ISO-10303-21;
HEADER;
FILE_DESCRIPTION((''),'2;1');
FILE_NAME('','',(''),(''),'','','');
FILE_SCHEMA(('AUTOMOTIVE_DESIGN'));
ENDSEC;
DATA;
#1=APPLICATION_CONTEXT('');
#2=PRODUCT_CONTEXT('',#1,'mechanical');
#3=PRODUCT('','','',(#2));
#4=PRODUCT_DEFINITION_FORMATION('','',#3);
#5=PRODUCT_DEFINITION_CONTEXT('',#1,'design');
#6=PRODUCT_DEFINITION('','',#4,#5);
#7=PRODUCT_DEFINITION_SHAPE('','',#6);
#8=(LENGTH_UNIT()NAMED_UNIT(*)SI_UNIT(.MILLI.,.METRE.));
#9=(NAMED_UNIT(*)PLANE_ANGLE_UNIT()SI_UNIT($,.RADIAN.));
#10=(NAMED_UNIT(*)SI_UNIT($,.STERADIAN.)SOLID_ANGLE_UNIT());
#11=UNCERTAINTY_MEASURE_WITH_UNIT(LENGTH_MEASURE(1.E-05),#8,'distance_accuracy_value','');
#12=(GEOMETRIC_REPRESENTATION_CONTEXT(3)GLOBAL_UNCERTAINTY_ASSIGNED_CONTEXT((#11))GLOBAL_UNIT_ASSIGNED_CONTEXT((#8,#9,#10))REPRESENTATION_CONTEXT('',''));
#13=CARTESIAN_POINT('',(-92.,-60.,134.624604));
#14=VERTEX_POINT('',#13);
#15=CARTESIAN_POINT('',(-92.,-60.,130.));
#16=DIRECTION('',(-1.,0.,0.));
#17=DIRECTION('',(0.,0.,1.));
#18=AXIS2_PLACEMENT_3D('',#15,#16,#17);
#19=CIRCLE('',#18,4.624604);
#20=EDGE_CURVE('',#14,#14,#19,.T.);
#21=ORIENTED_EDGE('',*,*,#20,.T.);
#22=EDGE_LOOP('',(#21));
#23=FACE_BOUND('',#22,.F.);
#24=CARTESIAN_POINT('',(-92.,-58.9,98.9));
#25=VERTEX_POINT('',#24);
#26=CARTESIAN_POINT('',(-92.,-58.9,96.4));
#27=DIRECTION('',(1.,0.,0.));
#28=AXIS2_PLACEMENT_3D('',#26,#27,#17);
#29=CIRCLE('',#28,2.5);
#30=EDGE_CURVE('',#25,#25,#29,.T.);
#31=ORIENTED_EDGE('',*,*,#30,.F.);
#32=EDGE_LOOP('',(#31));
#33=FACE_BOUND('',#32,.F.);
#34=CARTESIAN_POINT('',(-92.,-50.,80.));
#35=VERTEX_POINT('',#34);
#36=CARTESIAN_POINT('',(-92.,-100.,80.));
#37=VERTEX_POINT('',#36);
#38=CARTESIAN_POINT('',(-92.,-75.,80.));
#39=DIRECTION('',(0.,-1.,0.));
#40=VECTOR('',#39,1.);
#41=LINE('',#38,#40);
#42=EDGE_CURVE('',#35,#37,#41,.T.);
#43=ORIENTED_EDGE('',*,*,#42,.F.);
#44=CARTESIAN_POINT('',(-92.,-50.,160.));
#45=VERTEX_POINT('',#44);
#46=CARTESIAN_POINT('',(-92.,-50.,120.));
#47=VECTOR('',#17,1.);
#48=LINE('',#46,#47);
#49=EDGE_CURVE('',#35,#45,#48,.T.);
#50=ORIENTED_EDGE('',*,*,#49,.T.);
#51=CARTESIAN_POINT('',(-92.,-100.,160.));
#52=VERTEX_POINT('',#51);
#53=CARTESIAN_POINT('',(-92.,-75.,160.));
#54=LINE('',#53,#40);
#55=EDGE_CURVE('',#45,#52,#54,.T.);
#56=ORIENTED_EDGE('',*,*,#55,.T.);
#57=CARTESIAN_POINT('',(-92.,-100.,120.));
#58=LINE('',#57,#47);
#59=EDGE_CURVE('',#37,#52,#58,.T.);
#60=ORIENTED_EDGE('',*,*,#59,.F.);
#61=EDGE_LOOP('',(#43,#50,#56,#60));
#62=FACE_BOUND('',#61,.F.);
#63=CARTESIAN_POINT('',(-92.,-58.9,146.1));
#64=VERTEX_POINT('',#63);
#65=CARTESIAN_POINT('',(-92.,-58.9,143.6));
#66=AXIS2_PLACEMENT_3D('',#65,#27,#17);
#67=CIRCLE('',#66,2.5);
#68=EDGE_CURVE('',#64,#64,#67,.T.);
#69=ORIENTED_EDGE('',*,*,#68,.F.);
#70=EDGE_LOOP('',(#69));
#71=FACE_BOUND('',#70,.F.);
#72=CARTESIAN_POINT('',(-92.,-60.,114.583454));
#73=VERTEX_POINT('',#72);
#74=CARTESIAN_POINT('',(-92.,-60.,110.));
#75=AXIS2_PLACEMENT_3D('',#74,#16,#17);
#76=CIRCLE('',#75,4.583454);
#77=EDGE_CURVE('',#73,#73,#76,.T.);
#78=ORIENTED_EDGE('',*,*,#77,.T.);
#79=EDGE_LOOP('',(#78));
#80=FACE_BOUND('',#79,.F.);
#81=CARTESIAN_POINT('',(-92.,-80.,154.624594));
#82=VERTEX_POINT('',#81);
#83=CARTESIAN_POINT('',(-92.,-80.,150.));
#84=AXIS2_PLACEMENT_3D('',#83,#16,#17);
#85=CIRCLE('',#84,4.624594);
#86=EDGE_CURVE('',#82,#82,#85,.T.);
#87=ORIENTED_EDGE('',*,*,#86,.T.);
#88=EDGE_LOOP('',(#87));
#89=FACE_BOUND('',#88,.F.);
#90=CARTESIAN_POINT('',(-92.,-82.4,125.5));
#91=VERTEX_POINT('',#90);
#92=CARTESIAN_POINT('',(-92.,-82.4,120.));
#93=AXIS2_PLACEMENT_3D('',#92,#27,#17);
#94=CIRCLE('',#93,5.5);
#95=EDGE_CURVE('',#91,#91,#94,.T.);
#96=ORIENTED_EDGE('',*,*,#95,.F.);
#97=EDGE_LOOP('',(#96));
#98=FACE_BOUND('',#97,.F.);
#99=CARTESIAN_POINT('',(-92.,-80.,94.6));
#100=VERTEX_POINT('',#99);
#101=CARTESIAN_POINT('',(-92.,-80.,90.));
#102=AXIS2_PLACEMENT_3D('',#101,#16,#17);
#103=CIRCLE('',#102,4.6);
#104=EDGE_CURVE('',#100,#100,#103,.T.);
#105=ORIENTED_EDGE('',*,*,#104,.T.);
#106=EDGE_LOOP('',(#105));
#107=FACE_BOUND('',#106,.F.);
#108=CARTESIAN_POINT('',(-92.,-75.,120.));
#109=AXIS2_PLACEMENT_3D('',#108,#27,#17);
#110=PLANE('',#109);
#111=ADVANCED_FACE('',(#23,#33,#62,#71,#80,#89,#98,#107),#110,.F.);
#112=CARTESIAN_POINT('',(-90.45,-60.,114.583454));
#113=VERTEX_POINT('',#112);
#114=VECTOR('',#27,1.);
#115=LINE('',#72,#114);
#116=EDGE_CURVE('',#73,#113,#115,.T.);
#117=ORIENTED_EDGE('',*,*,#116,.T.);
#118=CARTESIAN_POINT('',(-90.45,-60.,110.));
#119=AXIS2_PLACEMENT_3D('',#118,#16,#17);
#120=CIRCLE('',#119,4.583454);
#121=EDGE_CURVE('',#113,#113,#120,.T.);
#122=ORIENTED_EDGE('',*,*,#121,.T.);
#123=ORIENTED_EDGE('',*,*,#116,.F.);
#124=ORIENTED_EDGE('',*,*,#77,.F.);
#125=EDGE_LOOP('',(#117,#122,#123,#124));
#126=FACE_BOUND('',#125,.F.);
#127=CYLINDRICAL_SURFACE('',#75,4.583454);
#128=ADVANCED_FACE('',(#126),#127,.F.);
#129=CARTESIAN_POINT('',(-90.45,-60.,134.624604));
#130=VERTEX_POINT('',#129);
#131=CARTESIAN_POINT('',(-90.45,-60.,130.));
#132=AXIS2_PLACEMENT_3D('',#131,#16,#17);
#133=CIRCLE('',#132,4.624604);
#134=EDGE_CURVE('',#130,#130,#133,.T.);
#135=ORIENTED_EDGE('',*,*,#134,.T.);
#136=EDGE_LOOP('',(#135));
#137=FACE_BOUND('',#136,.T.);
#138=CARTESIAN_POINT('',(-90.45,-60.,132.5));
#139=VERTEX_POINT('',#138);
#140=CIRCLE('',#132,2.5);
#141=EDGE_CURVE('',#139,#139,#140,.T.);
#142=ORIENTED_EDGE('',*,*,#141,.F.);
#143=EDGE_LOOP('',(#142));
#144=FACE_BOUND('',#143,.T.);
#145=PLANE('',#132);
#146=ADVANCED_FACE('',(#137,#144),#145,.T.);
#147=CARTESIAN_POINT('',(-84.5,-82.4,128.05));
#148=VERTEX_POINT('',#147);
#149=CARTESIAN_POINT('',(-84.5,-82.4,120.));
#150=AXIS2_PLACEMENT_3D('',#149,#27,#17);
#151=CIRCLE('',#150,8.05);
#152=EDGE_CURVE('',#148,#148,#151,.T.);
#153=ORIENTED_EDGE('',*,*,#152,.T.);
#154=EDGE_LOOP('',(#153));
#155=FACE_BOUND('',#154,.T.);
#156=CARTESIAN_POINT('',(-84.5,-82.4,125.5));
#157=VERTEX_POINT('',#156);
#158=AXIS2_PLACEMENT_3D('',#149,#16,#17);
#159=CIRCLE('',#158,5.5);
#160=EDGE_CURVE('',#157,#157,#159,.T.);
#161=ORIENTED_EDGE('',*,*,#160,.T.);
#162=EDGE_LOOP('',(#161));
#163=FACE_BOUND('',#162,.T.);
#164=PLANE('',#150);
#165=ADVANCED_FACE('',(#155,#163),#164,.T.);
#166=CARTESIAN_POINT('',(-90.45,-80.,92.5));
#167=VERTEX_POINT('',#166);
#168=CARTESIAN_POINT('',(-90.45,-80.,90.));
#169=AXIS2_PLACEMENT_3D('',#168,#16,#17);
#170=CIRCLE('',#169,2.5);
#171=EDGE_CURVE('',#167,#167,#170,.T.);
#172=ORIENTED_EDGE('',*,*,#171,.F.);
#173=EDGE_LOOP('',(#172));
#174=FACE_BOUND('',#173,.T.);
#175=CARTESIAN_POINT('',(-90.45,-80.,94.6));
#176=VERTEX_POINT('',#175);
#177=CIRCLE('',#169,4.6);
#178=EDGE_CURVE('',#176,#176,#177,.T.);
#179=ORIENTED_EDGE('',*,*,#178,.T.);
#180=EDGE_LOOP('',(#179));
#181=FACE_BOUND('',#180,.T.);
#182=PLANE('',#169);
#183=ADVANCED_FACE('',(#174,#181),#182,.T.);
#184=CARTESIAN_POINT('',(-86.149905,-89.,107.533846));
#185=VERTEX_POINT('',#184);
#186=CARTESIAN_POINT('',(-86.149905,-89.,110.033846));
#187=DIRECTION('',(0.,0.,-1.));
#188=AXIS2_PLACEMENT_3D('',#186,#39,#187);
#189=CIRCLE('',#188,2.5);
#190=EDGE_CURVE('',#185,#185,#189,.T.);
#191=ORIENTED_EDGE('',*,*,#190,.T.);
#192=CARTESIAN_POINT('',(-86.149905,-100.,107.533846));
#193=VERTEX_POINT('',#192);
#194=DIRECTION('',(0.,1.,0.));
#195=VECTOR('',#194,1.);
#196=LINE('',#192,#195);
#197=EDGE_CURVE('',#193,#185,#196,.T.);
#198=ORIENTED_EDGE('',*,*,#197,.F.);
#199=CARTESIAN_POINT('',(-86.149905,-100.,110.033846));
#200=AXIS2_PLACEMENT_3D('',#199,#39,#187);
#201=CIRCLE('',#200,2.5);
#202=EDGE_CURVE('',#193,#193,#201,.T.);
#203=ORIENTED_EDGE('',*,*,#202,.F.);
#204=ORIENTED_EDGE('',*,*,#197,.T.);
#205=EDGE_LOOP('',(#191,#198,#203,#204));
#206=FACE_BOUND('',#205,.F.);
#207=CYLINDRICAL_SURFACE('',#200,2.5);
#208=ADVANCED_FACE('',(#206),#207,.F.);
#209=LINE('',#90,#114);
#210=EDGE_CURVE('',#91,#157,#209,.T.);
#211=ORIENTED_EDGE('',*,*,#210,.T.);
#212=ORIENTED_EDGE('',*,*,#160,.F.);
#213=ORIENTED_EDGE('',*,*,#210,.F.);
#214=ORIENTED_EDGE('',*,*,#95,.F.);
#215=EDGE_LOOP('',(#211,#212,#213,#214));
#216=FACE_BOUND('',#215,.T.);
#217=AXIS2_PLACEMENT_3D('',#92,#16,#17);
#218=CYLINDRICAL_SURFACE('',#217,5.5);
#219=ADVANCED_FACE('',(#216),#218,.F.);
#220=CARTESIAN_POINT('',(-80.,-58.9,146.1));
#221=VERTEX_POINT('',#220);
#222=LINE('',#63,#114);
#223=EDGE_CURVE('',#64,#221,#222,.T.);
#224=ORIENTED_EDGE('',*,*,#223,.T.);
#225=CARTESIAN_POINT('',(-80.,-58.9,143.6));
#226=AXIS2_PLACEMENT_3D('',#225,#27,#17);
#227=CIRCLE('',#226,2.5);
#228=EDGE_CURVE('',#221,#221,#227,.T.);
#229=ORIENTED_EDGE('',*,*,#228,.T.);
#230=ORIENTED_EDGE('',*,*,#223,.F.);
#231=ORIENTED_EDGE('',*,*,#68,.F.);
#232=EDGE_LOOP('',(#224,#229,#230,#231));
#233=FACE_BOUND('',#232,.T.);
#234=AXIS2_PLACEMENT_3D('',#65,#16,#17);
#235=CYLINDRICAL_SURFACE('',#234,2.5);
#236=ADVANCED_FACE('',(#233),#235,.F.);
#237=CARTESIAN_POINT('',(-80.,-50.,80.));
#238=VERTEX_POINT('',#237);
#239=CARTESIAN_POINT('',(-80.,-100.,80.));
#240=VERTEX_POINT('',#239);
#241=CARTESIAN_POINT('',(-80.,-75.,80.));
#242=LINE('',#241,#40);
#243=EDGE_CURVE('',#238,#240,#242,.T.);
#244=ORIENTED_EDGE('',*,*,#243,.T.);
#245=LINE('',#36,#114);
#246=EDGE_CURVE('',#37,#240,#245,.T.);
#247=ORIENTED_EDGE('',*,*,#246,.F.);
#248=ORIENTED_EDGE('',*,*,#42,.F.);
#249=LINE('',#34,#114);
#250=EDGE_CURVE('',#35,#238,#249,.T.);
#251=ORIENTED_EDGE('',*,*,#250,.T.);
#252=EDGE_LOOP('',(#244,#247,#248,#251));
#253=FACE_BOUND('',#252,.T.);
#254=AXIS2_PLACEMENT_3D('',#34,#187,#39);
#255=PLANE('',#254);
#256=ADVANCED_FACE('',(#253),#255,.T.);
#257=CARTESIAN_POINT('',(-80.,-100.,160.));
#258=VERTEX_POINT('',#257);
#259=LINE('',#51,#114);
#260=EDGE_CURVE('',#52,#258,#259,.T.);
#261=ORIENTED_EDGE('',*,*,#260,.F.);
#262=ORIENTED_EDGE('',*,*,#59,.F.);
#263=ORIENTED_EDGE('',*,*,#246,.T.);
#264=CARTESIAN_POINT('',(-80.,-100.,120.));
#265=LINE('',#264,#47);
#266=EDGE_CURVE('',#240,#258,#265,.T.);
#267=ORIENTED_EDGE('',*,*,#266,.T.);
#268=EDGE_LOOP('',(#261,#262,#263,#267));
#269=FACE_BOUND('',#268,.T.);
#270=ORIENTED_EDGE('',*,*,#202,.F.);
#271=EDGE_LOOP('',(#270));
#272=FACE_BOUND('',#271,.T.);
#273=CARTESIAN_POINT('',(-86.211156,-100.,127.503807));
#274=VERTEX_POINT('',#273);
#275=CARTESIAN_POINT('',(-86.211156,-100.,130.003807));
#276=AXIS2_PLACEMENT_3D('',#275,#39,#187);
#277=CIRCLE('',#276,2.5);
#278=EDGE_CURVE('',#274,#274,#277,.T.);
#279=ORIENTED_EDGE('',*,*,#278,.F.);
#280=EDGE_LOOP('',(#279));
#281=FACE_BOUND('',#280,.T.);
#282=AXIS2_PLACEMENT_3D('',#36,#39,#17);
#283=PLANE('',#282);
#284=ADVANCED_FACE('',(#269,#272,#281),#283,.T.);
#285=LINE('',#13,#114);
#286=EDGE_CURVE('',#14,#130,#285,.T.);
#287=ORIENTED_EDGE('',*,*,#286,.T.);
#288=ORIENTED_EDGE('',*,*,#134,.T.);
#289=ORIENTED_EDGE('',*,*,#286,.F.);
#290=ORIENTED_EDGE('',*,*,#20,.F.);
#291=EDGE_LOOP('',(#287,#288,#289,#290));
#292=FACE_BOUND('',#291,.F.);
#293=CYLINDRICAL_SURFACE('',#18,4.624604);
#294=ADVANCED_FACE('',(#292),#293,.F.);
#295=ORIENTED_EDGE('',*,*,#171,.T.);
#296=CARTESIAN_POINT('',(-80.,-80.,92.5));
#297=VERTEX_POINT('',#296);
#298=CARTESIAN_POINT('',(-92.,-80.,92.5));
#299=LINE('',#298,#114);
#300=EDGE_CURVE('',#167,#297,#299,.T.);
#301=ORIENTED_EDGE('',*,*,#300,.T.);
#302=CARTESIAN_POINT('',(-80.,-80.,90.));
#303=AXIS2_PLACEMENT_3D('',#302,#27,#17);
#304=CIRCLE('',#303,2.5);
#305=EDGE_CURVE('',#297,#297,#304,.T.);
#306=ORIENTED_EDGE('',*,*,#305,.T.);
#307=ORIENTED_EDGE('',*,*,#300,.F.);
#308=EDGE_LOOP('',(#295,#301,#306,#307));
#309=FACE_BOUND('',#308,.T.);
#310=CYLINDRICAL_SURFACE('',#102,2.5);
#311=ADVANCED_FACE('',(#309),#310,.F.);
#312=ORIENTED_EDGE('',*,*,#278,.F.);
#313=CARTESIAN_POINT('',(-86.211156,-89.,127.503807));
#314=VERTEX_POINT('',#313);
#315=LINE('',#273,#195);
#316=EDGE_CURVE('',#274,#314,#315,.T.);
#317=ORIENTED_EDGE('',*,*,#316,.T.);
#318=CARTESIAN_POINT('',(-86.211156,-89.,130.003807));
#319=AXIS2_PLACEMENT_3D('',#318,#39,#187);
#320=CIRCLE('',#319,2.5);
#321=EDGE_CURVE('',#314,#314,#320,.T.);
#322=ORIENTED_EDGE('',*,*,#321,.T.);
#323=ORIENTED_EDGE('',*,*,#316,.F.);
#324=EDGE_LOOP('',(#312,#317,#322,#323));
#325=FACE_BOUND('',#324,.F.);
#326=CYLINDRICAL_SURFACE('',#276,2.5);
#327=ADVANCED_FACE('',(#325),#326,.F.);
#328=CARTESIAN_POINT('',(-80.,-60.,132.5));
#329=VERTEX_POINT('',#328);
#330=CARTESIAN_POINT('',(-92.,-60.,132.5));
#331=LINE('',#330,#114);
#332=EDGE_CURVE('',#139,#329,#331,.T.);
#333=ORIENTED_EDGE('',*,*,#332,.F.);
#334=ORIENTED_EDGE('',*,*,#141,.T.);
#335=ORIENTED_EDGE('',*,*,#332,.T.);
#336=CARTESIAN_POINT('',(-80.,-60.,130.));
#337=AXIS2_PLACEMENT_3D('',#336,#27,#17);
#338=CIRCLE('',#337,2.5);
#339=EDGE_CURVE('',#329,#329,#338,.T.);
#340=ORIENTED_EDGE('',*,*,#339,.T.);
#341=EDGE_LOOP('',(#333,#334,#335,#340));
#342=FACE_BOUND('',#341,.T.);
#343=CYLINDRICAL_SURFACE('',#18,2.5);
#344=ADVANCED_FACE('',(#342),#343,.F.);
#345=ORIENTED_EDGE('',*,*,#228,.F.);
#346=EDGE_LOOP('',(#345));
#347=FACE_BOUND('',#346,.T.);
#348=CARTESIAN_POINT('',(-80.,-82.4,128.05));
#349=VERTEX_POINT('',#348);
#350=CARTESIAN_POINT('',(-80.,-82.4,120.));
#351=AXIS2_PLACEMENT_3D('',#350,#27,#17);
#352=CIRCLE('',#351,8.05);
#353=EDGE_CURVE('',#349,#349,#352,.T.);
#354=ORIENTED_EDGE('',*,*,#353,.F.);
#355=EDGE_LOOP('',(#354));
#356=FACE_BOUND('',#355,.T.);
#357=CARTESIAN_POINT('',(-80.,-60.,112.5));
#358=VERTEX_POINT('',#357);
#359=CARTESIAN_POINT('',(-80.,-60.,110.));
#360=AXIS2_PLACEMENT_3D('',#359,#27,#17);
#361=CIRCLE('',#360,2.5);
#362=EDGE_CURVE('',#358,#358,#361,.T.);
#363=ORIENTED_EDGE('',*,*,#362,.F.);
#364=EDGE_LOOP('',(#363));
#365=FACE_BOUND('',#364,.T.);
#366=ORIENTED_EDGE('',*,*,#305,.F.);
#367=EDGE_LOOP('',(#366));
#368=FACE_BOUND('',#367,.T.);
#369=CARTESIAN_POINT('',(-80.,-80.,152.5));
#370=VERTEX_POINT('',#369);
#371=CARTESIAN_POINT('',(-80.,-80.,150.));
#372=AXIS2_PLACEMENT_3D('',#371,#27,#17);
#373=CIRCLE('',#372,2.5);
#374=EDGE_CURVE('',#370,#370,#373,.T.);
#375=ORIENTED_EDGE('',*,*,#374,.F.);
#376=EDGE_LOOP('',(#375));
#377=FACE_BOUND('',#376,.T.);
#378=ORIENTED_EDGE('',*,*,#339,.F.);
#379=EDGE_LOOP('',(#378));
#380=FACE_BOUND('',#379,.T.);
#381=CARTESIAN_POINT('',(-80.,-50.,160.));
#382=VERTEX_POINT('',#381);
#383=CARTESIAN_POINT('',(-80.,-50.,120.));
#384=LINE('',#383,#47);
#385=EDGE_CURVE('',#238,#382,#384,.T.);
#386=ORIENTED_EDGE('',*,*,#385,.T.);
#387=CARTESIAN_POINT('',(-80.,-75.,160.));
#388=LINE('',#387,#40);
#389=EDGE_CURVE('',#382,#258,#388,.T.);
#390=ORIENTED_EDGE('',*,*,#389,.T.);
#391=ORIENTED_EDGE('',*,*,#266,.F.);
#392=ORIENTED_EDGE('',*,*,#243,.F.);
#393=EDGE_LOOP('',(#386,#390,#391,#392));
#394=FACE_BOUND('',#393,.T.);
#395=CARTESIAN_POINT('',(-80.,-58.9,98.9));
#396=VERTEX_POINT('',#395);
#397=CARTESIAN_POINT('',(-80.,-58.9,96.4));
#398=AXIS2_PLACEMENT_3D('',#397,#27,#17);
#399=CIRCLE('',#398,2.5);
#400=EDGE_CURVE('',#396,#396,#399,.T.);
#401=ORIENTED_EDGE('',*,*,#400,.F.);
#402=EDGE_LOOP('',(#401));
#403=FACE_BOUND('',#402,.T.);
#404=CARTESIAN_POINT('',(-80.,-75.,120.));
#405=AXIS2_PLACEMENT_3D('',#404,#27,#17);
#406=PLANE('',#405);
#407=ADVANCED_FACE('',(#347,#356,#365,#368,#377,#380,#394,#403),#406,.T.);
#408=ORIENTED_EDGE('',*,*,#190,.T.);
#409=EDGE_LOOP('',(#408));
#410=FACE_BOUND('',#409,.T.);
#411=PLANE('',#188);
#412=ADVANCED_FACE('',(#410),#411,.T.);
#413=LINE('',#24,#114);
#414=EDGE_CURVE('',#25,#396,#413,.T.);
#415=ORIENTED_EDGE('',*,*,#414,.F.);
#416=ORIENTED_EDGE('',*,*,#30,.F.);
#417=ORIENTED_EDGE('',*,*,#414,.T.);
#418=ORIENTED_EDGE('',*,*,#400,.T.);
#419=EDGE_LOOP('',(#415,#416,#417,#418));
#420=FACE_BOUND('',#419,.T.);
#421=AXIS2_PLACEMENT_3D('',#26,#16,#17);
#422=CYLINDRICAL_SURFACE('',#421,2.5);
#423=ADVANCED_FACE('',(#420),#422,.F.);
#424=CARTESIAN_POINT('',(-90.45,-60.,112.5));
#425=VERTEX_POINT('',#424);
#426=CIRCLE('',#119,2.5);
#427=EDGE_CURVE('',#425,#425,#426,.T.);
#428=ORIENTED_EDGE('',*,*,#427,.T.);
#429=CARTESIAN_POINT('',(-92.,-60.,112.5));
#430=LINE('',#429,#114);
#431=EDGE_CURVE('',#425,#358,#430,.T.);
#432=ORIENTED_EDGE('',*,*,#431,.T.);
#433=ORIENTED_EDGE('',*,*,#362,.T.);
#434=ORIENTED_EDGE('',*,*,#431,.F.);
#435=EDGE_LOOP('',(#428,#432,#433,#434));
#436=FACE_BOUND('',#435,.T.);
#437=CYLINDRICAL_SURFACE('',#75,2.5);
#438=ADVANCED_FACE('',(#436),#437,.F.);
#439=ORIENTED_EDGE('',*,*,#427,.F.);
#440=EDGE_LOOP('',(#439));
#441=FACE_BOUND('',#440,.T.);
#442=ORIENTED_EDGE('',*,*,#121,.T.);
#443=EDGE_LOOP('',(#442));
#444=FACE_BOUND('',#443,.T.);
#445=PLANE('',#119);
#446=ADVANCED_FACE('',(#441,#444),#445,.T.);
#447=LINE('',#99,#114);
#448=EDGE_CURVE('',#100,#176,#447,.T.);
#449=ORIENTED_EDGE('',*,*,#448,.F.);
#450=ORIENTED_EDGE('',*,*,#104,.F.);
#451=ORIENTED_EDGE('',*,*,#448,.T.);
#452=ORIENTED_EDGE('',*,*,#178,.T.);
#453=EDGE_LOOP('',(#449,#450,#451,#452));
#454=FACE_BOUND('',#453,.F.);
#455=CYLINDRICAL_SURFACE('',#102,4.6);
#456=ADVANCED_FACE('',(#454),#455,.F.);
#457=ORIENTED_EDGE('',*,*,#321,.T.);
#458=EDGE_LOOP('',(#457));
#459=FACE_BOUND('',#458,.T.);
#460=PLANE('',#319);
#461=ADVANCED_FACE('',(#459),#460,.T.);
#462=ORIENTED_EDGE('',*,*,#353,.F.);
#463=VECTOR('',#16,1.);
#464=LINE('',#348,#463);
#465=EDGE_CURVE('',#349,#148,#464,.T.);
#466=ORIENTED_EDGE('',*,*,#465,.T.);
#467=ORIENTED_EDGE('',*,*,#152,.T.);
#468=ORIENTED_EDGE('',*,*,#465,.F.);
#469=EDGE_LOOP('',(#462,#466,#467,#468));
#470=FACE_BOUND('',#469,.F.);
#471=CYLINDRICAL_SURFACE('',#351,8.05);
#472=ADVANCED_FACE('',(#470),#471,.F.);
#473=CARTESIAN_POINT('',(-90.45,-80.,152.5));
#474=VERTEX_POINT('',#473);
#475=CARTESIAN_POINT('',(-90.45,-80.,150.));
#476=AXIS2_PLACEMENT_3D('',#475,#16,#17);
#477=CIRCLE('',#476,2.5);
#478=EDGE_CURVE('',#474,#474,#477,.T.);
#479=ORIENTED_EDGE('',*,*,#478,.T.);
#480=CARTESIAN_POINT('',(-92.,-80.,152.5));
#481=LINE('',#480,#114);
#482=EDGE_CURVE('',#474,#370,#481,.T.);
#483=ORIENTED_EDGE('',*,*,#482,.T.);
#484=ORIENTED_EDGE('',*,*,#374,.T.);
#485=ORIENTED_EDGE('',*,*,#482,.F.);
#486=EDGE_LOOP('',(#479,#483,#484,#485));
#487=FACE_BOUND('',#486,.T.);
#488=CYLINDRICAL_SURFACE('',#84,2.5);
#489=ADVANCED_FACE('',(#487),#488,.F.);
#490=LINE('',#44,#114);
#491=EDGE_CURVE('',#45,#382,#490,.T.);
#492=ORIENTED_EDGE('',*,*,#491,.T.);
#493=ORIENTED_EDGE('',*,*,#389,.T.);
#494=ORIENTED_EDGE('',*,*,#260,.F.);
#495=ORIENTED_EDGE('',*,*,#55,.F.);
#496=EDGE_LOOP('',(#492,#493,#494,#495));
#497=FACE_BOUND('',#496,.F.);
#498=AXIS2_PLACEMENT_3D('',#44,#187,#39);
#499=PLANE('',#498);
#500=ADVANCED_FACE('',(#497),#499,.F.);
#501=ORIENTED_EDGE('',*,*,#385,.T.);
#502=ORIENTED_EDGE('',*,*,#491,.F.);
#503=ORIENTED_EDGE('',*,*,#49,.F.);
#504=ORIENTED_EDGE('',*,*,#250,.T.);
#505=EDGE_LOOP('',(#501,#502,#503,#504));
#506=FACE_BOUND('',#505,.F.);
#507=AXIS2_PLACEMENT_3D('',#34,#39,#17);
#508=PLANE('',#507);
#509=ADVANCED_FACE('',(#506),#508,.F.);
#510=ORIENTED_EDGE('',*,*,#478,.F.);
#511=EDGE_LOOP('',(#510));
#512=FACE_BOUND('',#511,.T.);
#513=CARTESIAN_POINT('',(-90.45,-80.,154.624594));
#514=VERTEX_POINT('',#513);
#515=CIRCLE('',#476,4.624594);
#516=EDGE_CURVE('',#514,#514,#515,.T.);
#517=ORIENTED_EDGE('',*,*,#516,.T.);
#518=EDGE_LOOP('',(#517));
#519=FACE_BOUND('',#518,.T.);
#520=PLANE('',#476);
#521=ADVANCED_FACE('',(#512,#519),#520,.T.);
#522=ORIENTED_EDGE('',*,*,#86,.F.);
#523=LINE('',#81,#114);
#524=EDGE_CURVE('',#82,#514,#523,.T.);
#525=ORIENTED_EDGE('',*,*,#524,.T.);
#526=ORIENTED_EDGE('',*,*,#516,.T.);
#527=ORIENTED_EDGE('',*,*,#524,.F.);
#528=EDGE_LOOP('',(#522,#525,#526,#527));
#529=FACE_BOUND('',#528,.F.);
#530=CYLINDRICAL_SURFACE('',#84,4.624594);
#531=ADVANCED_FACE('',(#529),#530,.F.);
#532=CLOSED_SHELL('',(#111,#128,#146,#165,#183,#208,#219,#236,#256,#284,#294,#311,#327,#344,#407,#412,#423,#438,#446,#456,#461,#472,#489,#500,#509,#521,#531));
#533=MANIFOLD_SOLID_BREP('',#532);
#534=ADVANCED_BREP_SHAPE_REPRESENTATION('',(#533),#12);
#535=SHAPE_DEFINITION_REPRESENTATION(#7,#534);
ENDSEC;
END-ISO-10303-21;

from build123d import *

# Parameters (mm, degrees)
SKETCH010_W     = 80
SKETCH010_H     = 50
SKETCH010_R     = 2.5
SKETCH010_R_2   = 5.5
PAD002_DEPTH    = 12
SKETCH011_R     = 2.5
POCKET006_DEPTH = 11
SKETCH012_R     = 8.05
POCKET007_DEPTH = 4.5
SKETCH013_R     = 4.6
SKETCH013_R_2   = 4.624594
SKETCH013_R_3   = 4.583454
SKETCH013_R_4   = 4.624604
POCKET008_DEPTH = 1.55


with BuildPart() as part:
    # Sketch010 → Pad002 (new body)
    with BuildSketch(Plane(origin=(-92, -50, 80), x_dir=(0, 0, 1), z_dir=(1, 0, 0))):
        with Locations((40, 25)):
            Rectangle(SKETCH010_W, SKETCH010_H)
        with Locations((10, 30)):
            Circle(SKETCH010_R, mode=Mode.SUBTRACT)
        with Locations((30, 10)):
            Circle(SKETCH010_R, mode=Mode.SUBTRACT)
        with Locations((16.4, 8.9)):
            Circle(SKETCH010_R, mode=Mode.SUBTRACT)
        with Locations((50, 10)):
            Circle(SKETCH010_R, mode=Mode.SUBTRACT)
        with Locations((63.6, 8.9)):
            Circle(SKETCH010_R, mode=Mode.SUBTRACT)
        with Locations((70, 30)):
            Circle(SKETCH010_R, mode=Mode.SUBTRACT)
        with Locations((40, 32.4)):
            Circle(SKETCH010_R_2, mode=Mode.SUBTRACT)
    extrude(amount=PAD002_DEPTH)

    # Sketch011 → Pocket006 (cut)
    with BuildSketch(Plane(origin=(-92, -100, 80), x_dir=(0, 0, -1), z_dir=(0, -1, 0))):
        with Locations((-30.033846, 5.850095)):
            Circle(SKETCH011_R)
        with Locations((-50.003807, 5.788844)):
            Circle(SKETCH011_R)
    extrude(amount=-POCKET006_DEPTH, mode=Mode.SUBTRACT)

    # Sketch012 → Pocket007 (cut)
    with BuildSketch(Plane(origin=(-80, -50, 80), x_dir=(0, 0, 1), z_dir=(1, 0, 0))):
        with Locations((40, 32.4)):
            Circle(SKETCH012_R)
    extrude(amount=-POCKET007_DEPTH, mode=Mode.SUBTRACT)

    # Sketch013 → Pocket008 (cut)
    with BuildSketch(Plane(origin=(-92, -50, 80), x_dir=(0, 0, 1), z_dir=(-1, 0, 0))):
        with Locations((10, -30)):
            Circle(SKETCH013_R)
        with Locations((70, -30)):
            Circle(SKETCH013_R_2)
        with Locations((30, -10)):
            Circle(SKETCH013_R_3)
        with Locations((50, -10)):
            Circle(SKETCH013_R_4)
    extrude(amount=-POCKET008_DEPTH, mode=Mode.SUBTRACT)


solid = part.part
